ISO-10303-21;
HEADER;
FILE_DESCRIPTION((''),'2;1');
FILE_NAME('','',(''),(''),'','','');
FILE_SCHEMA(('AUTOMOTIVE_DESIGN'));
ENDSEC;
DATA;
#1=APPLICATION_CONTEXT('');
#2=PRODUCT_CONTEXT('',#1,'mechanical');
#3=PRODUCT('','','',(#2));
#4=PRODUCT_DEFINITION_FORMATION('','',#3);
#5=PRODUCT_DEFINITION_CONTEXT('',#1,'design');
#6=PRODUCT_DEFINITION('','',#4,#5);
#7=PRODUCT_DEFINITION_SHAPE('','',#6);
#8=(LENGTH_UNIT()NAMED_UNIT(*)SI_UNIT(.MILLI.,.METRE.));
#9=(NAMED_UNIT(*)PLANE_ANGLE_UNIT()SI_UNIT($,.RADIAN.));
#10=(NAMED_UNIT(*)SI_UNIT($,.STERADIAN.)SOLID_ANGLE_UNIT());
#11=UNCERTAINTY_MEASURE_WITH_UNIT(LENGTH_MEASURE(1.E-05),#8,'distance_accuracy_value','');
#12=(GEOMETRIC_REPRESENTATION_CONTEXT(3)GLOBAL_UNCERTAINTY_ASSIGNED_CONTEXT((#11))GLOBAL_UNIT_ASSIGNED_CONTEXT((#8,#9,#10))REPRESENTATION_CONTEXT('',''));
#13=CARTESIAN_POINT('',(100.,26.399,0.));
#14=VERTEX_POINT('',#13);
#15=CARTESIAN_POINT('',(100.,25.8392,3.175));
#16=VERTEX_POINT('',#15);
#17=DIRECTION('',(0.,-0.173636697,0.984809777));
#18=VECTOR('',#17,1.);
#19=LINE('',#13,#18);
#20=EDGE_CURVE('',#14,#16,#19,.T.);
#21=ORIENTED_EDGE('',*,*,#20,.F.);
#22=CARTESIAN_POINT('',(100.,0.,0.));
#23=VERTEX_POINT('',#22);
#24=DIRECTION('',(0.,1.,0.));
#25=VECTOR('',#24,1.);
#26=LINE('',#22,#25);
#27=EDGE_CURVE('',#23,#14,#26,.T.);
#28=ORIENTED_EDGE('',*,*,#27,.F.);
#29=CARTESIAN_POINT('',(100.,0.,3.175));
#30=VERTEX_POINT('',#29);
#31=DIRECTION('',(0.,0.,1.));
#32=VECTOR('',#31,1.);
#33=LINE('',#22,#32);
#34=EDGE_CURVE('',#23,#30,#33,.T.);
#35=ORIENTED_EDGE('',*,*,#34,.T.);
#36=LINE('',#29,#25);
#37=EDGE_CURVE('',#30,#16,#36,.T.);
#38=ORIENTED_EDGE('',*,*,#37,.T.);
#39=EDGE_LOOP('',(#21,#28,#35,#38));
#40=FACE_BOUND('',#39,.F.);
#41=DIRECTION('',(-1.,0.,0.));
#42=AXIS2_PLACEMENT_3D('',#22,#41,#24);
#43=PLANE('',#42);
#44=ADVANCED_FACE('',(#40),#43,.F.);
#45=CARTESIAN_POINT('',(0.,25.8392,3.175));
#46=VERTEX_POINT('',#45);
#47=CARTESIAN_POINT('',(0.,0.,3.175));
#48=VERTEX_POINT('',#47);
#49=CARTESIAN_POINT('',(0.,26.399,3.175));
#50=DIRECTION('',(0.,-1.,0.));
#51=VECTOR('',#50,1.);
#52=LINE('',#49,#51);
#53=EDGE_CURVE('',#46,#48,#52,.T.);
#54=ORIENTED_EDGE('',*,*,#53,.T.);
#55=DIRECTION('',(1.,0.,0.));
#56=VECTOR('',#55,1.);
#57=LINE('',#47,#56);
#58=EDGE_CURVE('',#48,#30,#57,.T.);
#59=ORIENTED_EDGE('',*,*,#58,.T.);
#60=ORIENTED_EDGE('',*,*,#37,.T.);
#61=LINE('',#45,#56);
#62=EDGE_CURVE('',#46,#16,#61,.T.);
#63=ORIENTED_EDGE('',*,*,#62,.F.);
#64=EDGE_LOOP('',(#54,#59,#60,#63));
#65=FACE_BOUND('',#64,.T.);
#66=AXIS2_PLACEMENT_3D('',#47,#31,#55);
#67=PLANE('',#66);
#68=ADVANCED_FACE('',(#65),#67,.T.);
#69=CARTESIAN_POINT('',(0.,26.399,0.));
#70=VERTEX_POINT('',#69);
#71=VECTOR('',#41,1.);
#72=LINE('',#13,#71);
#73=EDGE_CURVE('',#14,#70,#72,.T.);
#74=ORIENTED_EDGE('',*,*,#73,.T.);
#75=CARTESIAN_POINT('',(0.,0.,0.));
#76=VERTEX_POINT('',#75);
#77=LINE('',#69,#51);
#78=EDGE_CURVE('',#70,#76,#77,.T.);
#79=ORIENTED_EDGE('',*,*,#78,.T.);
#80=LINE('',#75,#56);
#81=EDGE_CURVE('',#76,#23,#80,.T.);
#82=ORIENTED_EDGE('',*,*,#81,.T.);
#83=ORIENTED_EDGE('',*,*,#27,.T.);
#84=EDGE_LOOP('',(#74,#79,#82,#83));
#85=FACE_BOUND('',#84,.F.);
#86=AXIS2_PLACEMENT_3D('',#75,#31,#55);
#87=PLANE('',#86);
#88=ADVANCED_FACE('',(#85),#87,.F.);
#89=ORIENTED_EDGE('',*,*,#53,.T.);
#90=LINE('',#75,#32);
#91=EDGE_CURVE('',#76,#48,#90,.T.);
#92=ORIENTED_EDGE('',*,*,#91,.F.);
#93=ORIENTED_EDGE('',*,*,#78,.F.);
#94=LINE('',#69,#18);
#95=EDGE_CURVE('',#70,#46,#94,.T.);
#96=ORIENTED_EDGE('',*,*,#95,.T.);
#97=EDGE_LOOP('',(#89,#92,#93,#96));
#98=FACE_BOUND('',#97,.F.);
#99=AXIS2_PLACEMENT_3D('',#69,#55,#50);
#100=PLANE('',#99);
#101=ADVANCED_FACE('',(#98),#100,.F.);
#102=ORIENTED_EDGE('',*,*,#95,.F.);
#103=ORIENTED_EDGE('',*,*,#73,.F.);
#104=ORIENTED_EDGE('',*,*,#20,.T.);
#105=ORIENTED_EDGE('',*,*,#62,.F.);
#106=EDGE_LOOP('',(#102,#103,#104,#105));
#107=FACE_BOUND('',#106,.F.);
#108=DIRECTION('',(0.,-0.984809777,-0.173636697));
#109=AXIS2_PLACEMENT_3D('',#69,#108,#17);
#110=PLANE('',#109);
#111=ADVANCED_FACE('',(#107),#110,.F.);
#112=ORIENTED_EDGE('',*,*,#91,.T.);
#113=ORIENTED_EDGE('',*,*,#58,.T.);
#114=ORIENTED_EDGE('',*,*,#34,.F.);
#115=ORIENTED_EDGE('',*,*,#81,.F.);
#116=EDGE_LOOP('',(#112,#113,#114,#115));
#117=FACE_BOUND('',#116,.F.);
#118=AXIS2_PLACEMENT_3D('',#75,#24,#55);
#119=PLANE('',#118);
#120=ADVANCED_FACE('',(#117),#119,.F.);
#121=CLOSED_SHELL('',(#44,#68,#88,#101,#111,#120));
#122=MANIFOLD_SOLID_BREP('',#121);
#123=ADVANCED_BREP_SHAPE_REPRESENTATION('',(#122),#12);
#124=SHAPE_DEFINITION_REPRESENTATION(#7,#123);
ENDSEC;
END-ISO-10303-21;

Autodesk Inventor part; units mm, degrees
ref_plane "YZ Plane" through (0, 0, 0) normal (1, 0, 0) x (0, 1, 0)
ref_plane "XZ Plane" through (0, 0, 0) normal (0, 1, 0) x (-1, 0, 0)
ref_plane "XY Plane" through (0, 0, 0) normal (0, 0, 1) x (1, 0, 0)
sketch "Sketch1" plane through (0, 0, 0) normal (0, 0, 1) x (1, 0, 0)
  line L0 (0, 0) -> (100, 0)
  line L1 (100, 0) -> (100, 26.399)
  line L2 (100, 26.399) -> (0, 26.399)
  line L3 (0, 26.399) -> (0, 0)
  dimension "d0" = 100
  dimension "d1" = 26.399
extrude "Extrusion1" add sketch "Sketch1" along normal blind 3.175
sketch "Sketch2" plane through (0, 0, 0) normal (-1, 0, 0) x (0, 0, 1)
  line L0 (0, 0) -> (0, 26.399) projected
  line L1 (0, 26.399) -> (3.175, 25.8392)
  line L2 (0, 26.399) -> (14.7778, 26.399) construction
  line L3 (3.175, 0) -> (3.175, 26.399) projected
  line L4 (3.175, 25.8392) -> (3.175, 26.399)
  line L5 (0, 26.399) -> (3.175, 26.399) projected
  line L6 (3.175, 26.399) -> (0, 26.399)
  dimension "d4" = 10
extrude "Extrusion2" cut sketch "Sketch2" against normal blind 100
properties part number "front" material "Acrylic"
